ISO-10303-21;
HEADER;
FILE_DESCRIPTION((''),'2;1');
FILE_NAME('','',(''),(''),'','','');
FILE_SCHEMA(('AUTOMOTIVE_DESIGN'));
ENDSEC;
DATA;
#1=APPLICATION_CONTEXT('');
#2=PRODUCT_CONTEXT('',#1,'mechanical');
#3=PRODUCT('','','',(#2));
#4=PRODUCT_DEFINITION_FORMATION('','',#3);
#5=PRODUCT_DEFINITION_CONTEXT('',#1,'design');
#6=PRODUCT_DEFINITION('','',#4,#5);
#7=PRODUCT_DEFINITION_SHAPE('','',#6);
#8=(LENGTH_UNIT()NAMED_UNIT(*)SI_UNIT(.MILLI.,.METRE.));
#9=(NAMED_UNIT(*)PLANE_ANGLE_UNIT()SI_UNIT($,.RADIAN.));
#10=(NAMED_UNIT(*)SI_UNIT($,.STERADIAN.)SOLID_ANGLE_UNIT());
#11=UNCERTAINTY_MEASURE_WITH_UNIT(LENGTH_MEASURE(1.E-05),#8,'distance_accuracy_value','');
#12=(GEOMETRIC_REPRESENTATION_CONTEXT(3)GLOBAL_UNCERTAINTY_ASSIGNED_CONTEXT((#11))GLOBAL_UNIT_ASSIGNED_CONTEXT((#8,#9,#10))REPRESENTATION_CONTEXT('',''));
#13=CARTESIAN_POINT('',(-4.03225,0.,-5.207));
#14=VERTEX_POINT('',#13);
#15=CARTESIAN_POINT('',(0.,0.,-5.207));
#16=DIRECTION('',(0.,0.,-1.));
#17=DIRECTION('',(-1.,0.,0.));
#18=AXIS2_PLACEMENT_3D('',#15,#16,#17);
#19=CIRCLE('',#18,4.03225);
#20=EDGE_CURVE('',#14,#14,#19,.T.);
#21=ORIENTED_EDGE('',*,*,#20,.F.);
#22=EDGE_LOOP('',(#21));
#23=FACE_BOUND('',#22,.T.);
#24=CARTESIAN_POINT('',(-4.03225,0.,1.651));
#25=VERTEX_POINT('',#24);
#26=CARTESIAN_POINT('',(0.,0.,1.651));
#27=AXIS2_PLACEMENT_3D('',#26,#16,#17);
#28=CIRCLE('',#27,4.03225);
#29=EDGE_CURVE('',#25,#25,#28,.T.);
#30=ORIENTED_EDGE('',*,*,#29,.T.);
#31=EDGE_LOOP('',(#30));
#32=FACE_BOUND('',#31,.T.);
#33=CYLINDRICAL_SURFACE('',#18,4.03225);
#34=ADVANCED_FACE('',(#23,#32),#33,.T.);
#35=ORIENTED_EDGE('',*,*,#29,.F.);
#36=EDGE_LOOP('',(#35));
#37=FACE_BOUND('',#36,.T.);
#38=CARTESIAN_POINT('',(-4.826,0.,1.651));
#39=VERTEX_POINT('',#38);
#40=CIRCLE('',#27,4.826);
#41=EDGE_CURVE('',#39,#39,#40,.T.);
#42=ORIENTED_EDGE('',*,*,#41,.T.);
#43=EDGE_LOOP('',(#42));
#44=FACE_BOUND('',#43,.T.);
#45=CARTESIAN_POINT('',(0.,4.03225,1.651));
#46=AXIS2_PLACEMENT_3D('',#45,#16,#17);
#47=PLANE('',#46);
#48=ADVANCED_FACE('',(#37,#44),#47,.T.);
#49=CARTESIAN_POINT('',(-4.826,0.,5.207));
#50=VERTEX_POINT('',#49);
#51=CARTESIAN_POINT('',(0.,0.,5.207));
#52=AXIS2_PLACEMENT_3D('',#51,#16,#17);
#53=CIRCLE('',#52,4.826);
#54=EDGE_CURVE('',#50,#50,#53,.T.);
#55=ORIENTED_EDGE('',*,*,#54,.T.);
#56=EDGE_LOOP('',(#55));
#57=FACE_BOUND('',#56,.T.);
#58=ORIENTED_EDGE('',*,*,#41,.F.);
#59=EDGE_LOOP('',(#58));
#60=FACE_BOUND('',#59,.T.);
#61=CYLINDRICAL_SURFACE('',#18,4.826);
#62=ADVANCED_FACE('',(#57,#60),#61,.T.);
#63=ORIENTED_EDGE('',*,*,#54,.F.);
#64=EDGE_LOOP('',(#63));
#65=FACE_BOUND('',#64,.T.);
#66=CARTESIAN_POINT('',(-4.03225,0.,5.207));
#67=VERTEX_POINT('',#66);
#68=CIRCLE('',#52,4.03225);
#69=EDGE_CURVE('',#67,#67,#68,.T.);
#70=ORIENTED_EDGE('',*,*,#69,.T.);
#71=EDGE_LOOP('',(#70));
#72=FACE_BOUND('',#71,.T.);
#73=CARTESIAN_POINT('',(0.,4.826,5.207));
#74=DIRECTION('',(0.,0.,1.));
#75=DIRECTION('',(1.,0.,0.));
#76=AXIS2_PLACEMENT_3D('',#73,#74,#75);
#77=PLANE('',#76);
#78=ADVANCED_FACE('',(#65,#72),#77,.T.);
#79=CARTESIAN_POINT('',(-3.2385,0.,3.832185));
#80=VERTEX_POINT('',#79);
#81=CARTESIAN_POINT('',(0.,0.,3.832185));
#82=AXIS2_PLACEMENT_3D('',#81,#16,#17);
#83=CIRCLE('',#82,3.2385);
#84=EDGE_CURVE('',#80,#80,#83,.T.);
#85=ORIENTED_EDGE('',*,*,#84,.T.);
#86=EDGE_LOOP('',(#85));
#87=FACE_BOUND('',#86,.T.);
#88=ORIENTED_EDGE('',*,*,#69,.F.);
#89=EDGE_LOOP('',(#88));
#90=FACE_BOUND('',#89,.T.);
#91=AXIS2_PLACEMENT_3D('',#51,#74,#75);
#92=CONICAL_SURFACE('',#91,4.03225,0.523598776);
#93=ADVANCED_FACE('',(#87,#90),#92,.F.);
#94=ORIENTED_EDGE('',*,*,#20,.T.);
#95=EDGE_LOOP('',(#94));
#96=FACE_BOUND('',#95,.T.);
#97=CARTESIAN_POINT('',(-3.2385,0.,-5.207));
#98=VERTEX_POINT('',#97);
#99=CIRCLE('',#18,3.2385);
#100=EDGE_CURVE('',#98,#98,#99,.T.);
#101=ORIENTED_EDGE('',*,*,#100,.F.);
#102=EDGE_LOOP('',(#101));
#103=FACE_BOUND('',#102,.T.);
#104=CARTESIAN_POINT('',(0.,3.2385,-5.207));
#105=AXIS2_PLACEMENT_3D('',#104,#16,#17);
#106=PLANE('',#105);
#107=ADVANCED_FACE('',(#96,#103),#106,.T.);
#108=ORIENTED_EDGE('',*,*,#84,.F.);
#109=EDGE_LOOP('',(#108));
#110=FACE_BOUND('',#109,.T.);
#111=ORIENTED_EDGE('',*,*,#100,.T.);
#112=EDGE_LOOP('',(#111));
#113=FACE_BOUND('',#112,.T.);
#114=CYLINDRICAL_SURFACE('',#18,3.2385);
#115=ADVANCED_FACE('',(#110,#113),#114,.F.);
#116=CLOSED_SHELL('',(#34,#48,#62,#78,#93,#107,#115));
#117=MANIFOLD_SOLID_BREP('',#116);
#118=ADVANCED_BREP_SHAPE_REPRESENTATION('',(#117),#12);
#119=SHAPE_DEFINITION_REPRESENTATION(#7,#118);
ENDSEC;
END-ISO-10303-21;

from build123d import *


with BuildPart() as part:
    # Sketch1 → Revolve1 (revolve)
    with BuildSketch(Plane(origin=(0, 0, 0), x_dir=(0, 0, -1), z_dir=(1, 0, 0))):
        Polygon((-5.207, 4.03225), (-3.832184671, 3.2385), (5.207, 3.2385), (5.207, 4.03225), (-1.651, 4.03225), (-1.651, 4.826), (-5.207, 4.826), align=None)
    revolve(axis=Axis((0, 0, -5.207), (0, 0, 1)))


solid = part.part
